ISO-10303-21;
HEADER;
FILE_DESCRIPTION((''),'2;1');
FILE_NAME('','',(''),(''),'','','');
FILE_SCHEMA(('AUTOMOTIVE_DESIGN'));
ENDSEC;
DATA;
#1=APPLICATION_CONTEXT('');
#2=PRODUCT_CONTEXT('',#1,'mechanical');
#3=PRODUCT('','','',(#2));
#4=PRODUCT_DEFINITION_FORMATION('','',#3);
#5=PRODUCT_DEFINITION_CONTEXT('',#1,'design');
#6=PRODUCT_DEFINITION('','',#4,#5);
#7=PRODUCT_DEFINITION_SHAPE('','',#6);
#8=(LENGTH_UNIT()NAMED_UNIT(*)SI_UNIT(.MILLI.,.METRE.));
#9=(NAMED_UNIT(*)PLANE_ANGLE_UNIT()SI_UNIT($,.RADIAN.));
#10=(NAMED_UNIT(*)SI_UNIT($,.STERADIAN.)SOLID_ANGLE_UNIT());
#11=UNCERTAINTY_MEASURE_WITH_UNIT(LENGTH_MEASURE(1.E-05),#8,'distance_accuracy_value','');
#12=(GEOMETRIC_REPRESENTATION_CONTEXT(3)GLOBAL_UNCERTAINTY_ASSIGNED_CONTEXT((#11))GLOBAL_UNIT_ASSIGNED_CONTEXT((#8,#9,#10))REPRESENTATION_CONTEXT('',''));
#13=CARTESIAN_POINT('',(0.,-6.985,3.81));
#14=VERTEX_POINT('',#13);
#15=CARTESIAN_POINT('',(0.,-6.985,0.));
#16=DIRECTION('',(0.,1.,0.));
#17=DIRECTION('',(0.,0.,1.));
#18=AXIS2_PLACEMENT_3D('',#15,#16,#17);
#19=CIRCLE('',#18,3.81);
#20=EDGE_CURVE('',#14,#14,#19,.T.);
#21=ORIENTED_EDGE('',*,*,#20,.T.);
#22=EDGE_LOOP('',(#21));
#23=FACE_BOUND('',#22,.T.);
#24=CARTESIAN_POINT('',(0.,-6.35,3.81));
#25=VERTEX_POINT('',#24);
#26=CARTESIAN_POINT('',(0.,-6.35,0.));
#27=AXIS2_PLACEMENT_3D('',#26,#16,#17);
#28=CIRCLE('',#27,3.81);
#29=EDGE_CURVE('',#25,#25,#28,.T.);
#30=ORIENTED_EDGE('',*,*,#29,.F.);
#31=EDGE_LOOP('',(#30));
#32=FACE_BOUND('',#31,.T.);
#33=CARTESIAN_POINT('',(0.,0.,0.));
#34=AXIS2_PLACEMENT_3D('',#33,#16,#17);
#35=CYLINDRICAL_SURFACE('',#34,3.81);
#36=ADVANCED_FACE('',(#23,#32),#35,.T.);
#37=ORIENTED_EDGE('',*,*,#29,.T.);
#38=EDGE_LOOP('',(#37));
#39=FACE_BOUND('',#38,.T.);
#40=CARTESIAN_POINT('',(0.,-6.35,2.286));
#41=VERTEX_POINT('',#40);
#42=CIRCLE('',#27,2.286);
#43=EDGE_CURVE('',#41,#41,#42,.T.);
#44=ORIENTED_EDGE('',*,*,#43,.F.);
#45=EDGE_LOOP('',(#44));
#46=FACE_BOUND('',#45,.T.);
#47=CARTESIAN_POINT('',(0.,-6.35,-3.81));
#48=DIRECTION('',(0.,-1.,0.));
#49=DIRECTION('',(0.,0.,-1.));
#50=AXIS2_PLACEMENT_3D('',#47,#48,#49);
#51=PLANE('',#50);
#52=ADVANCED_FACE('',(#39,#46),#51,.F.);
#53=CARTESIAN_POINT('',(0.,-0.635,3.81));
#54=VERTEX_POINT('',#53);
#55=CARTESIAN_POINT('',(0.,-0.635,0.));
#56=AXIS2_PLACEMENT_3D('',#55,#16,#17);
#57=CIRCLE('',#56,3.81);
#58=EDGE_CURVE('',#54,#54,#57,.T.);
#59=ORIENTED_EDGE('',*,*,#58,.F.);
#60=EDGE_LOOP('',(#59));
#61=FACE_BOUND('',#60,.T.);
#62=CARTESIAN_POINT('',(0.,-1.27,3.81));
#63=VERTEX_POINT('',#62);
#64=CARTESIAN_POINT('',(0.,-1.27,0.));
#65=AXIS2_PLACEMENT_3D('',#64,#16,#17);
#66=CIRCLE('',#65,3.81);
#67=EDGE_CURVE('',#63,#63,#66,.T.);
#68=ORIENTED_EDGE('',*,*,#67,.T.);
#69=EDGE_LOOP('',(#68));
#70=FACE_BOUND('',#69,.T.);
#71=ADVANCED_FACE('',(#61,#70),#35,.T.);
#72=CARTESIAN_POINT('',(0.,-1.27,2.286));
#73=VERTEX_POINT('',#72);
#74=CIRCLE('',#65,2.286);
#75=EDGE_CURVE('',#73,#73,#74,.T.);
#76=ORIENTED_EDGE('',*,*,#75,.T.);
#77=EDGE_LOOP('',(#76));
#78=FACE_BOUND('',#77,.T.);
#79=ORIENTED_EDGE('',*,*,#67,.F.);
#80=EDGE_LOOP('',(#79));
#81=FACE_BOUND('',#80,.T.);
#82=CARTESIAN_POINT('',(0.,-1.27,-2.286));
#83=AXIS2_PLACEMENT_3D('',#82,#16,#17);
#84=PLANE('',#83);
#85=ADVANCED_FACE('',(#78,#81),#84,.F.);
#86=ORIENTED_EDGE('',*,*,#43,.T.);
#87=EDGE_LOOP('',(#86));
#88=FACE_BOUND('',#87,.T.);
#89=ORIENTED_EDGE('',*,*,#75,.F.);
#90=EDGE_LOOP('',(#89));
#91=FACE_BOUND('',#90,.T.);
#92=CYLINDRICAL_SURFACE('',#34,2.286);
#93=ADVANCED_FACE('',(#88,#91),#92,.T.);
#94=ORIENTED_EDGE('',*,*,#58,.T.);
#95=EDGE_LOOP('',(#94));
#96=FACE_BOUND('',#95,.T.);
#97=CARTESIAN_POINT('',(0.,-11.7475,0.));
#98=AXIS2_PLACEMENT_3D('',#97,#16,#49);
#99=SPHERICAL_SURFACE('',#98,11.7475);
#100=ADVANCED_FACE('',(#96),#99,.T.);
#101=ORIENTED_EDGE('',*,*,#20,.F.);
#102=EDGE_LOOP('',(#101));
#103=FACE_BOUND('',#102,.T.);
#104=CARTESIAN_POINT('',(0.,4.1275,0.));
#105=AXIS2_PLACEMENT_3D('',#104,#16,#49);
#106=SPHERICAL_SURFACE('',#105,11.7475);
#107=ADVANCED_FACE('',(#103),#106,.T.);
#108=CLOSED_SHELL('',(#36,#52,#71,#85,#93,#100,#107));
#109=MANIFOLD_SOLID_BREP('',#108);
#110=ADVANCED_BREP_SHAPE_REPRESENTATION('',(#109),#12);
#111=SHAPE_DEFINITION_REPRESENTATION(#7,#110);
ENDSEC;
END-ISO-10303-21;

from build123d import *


with BuildPart() as part:
    # Sketch1 → Revolve1 (revolve)
    with BuildSketch(Plane(origin=(0, 0, 0), x_dir=(0, 0, -1), z_dir=(1, 0, 0))):
        with BuildLine():
            Line((0, 0), (0, -7.62))
            ThreePointArc((0, -7.62), (1.931277103, -7.46016262), (3.81, -6.985))
            Line((3.81, -6.985), (3.81, -6.35))
            Line((3.81, -6.35), (2.286, -6.35))
            Line((2.286, -6.35), (2.286, -1.27))
            Line((2.286, -1.27), (3.81, -1.27))
            Line((3.81, -1.27), (3.81, -0.635))
            ThreePointArc((3.81, -0.635), (1.931277103, -0.15983738), (0, 0))
        make_face()
    revolve(axis=Axis((0, 0, 0), (0, -1, 0)))


solid = part.part
